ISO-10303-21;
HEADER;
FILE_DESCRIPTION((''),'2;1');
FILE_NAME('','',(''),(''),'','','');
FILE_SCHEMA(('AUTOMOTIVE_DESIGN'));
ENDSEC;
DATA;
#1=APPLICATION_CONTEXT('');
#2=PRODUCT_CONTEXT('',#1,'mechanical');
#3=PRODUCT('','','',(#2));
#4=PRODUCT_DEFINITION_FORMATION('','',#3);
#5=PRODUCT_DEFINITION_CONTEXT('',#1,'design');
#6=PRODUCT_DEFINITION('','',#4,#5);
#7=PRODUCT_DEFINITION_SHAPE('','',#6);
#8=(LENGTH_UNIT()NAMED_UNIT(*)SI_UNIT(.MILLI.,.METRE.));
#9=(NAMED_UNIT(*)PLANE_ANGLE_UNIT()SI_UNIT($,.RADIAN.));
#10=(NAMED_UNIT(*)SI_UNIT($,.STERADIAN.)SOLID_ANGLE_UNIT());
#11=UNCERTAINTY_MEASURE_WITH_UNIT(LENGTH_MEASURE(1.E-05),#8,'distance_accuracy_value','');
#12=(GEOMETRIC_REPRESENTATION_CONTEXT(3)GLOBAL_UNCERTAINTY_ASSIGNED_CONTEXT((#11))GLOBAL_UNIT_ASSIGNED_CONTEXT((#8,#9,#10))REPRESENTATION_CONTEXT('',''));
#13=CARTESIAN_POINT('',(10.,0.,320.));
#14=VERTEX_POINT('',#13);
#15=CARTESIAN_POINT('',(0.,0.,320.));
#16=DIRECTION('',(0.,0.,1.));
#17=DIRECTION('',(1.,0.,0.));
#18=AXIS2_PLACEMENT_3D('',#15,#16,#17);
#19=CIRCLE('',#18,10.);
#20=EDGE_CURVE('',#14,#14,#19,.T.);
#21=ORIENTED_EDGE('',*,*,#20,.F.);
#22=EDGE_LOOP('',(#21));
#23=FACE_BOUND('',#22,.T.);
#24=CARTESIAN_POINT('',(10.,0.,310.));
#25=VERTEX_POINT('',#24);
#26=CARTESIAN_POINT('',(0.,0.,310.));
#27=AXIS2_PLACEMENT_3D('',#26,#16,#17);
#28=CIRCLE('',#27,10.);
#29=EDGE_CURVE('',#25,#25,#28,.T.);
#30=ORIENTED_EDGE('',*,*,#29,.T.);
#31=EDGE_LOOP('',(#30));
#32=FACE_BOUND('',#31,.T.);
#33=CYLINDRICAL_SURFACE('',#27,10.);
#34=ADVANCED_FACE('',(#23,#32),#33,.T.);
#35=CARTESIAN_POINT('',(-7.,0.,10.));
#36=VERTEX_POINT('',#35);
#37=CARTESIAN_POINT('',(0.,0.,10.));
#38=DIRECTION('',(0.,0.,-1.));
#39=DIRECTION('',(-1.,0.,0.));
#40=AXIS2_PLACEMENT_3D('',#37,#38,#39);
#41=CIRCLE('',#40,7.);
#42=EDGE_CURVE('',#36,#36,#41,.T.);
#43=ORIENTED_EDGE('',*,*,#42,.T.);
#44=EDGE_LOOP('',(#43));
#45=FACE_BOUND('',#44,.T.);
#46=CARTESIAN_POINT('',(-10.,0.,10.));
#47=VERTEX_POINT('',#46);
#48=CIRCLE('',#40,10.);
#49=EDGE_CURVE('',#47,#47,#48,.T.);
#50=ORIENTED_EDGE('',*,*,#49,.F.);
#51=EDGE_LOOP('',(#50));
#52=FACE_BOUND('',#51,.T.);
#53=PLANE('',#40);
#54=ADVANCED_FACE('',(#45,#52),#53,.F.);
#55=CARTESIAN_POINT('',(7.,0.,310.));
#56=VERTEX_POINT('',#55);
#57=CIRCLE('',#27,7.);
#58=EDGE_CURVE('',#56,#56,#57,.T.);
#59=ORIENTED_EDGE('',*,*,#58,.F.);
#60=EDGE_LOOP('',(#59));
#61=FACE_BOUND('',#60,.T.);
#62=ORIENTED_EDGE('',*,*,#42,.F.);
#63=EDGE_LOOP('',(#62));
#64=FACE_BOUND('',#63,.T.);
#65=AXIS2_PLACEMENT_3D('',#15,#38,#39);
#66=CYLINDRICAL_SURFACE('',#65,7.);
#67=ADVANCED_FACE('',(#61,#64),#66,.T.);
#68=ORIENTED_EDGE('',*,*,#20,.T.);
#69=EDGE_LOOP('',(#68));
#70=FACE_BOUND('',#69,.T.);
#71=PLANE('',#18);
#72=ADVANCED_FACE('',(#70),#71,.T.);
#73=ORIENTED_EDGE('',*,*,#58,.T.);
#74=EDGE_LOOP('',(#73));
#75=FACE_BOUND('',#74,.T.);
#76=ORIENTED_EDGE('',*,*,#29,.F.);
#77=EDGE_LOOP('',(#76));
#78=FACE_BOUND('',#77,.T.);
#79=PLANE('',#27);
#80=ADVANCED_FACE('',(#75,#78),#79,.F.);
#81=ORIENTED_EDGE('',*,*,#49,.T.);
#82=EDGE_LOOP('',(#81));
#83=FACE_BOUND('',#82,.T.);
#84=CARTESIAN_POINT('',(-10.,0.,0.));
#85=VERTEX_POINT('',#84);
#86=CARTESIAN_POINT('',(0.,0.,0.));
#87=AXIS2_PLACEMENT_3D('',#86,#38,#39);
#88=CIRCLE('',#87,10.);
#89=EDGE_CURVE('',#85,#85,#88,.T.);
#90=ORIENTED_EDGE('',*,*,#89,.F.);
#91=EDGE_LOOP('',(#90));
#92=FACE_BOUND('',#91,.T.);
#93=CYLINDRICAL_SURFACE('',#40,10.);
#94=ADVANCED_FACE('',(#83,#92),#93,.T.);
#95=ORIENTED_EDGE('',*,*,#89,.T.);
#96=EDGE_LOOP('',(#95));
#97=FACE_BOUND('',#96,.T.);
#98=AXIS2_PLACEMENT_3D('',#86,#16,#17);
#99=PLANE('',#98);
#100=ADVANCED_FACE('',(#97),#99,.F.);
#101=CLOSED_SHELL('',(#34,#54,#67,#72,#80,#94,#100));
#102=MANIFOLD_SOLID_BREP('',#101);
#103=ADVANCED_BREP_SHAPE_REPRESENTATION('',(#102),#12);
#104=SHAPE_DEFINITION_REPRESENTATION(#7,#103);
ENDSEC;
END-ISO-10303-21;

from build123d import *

# Parameters (mm, degrees)
SKETCH1_R           = 7
BOSS_EXTRUDE1_DEPTH = 320
SKETCH2_R           = 10
BOSS_EXTRUDE2_DEPTH = 10
BOSS_EXTRUDE3_START = -10
SKETCH3_R           = 10
BOSS_EXTRUDE3_DEPTH = 10


with BuildPart() as part:
    # Sketch1 → Boss-Extrude1 (new body)
    with BuildSketch(Plane.XY):
        Circle(SKETCH1_R)
    extrude(amount=BOSS_EXTRUDE1_DEPTH)

    # Sketch2 → Boss-Extrude2 (add)
    with BuildSketch(Plane.XY.offset(320)):
        Circle(SKETCH2_R)
    extrude(amount=-BOSS_EXTRUDE2_DEPTH)

    # Sketch3 → Boss-Extrude3 (add)
    with BuildSketch(Plane(origin=(0, 0, 0), x_dir=(-1, 0, 0), z_dir=(0, 0, -1)).offset(BOSS_EXTRUDE3_START)):
        with Locations(Location((0, 0, 0), (0, 0, 180))):
            Circle(SKETCH3_R)
    extrude(amount=BOSS_EXTRUDE3_DEPTH)


solid = part.part
